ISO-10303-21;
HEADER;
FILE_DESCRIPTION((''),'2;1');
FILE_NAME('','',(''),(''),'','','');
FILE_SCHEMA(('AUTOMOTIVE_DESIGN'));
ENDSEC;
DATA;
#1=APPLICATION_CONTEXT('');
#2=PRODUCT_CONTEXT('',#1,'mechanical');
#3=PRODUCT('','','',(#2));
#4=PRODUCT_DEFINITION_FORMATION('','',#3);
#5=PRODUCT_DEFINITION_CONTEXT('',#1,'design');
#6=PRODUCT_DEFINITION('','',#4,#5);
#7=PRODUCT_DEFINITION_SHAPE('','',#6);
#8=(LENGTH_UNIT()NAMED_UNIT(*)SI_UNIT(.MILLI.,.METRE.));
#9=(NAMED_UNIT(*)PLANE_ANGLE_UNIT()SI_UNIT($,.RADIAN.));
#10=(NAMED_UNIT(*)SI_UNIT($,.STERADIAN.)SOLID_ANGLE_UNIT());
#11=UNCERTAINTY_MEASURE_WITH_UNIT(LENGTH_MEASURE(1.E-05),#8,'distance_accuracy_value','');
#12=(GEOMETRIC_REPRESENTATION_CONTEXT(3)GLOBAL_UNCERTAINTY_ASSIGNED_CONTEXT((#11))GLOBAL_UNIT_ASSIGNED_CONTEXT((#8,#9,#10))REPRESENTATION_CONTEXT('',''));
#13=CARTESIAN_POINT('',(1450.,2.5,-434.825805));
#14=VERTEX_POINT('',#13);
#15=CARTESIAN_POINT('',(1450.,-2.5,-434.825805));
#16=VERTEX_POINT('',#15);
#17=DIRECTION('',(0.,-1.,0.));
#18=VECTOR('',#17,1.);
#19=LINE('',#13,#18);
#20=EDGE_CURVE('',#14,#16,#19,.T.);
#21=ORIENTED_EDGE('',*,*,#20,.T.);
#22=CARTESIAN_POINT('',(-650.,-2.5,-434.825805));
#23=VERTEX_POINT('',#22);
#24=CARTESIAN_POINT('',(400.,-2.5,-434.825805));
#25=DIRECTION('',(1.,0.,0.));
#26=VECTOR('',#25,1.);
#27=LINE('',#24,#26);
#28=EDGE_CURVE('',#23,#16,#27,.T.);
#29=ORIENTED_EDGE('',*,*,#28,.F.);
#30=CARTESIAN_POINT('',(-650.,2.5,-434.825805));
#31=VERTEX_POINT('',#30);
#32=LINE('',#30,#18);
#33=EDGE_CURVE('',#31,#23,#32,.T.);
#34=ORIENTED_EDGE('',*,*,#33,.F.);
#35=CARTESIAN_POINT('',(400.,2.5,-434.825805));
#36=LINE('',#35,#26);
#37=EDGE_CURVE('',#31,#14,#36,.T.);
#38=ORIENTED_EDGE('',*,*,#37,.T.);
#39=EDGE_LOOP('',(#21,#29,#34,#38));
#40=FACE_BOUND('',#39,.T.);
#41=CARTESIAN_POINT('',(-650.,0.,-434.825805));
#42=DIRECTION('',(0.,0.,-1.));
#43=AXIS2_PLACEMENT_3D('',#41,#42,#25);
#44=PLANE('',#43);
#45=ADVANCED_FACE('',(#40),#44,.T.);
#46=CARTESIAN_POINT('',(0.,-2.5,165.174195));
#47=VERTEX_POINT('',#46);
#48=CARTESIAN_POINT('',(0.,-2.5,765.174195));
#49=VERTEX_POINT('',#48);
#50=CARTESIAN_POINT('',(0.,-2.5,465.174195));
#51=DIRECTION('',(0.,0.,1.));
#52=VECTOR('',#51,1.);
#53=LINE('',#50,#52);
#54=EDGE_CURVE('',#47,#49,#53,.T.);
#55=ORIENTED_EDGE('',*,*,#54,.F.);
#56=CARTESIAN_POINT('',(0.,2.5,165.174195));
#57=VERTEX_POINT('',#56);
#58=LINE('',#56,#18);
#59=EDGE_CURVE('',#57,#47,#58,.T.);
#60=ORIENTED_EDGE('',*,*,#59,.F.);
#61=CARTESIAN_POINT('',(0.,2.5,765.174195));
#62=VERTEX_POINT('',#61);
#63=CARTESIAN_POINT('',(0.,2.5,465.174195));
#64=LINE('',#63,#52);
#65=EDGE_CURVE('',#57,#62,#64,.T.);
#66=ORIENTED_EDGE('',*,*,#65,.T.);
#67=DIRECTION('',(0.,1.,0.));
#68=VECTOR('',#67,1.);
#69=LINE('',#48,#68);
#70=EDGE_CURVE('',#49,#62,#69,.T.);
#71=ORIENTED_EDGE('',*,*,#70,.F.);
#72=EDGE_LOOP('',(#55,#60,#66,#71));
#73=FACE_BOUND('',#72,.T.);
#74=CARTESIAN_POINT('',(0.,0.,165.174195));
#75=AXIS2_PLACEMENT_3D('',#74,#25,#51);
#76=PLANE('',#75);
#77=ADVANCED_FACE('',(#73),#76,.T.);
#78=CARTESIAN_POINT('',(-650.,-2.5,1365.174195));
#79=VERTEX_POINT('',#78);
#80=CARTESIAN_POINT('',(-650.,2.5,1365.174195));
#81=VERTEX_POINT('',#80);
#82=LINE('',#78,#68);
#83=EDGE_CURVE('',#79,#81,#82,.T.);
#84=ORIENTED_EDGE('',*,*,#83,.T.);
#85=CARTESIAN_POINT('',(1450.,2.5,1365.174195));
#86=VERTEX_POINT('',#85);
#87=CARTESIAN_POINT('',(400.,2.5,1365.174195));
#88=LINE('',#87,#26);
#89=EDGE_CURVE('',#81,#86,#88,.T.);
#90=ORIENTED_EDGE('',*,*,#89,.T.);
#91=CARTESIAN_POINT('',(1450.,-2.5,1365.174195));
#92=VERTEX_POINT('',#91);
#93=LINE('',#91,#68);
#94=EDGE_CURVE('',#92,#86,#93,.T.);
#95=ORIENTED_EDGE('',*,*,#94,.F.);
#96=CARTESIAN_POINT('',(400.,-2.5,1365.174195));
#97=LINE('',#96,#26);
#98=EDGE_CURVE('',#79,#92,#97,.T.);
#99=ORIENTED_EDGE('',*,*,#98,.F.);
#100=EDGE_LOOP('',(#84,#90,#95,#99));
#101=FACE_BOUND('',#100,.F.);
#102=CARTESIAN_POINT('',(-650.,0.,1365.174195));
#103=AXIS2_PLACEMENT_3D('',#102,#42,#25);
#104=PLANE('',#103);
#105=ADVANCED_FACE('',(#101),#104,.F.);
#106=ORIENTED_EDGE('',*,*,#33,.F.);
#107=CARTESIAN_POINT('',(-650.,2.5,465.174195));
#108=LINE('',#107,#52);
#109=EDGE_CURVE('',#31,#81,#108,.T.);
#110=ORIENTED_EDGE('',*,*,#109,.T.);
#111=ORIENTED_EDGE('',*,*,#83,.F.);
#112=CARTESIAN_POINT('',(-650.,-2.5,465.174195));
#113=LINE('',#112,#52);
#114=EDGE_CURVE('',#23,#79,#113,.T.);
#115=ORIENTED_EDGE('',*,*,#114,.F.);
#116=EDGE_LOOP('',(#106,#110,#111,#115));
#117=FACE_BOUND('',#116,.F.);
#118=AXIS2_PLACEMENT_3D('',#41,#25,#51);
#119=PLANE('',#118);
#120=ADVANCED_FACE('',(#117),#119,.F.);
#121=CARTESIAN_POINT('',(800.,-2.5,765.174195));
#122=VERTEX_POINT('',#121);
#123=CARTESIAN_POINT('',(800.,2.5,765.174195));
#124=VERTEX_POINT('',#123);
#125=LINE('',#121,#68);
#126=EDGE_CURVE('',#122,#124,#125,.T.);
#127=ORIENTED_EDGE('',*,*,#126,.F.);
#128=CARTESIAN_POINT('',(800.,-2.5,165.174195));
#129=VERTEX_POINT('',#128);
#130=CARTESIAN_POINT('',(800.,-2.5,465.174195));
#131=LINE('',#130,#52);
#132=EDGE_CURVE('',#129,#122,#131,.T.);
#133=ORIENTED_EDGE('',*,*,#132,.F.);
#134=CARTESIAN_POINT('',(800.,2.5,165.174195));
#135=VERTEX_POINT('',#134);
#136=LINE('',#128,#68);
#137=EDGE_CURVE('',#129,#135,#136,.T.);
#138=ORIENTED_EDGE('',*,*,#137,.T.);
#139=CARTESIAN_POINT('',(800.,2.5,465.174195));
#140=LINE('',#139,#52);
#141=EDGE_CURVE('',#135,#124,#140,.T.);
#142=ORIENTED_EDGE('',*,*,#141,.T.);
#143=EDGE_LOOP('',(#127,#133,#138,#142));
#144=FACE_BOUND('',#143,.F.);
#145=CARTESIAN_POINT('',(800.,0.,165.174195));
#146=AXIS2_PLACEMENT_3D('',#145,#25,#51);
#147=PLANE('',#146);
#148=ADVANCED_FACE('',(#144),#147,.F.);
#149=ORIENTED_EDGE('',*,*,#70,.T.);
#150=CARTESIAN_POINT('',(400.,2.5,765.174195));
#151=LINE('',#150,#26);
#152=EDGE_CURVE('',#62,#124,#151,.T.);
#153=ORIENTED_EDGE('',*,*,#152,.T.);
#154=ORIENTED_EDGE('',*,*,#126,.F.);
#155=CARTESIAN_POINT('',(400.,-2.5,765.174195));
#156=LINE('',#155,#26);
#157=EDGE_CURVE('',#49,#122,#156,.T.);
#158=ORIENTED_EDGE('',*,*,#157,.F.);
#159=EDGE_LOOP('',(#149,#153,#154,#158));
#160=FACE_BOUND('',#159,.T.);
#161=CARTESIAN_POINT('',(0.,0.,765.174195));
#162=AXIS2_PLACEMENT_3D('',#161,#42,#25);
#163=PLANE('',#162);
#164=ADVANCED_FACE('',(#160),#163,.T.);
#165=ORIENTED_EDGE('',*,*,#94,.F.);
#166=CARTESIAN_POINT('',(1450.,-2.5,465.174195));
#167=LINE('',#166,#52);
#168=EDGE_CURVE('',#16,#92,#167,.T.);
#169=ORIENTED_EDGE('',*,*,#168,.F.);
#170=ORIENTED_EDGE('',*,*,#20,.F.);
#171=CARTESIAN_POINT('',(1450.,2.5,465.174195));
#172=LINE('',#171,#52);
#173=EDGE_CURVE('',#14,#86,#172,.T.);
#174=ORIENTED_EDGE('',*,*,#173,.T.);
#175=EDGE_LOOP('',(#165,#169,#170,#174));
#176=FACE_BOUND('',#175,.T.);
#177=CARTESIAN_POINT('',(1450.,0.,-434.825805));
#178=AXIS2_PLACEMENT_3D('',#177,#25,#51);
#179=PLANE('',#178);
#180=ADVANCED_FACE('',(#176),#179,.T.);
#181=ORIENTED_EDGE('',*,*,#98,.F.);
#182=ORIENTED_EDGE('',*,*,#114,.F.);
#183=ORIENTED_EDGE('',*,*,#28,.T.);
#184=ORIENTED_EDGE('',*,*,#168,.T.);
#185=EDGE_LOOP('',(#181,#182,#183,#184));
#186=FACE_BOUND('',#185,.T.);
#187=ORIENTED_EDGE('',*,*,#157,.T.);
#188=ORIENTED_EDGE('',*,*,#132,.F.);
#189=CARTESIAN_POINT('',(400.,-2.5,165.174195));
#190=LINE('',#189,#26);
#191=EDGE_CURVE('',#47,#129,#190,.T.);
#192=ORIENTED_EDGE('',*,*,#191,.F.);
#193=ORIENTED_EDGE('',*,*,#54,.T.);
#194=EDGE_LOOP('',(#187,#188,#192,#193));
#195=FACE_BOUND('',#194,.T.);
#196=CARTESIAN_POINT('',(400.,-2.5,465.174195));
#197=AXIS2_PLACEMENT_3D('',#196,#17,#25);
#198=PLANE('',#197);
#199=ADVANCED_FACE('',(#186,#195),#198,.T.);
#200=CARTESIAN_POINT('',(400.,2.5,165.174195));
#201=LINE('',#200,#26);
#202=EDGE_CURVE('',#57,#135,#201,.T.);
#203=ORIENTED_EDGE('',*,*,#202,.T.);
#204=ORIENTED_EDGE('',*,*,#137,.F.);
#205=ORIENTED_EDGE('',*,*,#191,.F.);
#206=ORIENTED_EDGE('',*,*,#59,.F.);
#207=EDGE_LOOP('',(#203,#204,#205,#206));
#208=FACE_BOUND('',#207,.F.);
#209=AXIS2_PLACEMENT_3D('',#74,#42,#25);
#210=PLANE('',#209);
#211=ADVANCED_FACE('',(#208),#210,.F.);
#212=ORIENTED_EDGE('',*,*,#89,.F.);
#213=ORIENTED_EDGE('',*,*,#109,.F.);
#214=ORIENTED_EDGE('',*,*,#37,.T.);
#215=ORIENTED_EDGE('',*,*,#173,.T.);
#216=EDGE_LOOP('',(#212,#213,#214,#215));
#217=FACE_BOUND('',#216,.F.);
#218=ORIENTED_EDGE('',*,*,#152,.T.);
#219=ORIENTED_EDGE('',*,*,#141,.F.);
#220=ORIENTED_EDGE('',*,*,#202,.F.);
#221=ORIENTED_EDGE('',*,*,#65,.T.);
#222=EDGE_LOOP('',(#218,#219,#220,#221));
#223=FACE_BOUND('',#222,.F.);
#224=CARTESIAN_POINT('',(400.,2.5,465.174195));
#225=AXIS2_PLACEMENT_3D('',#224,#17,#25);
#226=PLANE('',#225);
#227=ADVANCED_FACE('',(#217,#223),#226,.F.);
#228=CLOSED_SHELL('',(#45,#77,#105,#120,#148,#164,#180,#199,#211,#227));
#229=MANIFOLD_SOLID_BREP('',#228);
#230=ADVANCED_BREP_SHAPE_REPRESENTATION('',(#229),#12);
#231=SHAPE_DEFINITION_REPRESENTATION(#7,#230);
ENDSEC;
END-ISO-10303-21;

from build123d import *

# Parameters (mm, degrees)
F0_W     = 2100
F0_H     = 1800
F0_W_2   = 800
F0_H_2   = 600
F1_DEPTH = 2.5


with BuildPart() as f1:
    # F0 (on Front) → F1 (new body, symmetric)
    with BuildSketch(Plane.XZ):
        with Locations((400, 465.174195)):
            Rectangle(F0_W, F0_H)
        with Locations((400, 465.174195)):
            Rectangle(F0_W_2, F0_H_2, mode=Mode.SUBTRACT)
    extrude(amount=F1_DEPTH, both=True)


solid = f1.part
